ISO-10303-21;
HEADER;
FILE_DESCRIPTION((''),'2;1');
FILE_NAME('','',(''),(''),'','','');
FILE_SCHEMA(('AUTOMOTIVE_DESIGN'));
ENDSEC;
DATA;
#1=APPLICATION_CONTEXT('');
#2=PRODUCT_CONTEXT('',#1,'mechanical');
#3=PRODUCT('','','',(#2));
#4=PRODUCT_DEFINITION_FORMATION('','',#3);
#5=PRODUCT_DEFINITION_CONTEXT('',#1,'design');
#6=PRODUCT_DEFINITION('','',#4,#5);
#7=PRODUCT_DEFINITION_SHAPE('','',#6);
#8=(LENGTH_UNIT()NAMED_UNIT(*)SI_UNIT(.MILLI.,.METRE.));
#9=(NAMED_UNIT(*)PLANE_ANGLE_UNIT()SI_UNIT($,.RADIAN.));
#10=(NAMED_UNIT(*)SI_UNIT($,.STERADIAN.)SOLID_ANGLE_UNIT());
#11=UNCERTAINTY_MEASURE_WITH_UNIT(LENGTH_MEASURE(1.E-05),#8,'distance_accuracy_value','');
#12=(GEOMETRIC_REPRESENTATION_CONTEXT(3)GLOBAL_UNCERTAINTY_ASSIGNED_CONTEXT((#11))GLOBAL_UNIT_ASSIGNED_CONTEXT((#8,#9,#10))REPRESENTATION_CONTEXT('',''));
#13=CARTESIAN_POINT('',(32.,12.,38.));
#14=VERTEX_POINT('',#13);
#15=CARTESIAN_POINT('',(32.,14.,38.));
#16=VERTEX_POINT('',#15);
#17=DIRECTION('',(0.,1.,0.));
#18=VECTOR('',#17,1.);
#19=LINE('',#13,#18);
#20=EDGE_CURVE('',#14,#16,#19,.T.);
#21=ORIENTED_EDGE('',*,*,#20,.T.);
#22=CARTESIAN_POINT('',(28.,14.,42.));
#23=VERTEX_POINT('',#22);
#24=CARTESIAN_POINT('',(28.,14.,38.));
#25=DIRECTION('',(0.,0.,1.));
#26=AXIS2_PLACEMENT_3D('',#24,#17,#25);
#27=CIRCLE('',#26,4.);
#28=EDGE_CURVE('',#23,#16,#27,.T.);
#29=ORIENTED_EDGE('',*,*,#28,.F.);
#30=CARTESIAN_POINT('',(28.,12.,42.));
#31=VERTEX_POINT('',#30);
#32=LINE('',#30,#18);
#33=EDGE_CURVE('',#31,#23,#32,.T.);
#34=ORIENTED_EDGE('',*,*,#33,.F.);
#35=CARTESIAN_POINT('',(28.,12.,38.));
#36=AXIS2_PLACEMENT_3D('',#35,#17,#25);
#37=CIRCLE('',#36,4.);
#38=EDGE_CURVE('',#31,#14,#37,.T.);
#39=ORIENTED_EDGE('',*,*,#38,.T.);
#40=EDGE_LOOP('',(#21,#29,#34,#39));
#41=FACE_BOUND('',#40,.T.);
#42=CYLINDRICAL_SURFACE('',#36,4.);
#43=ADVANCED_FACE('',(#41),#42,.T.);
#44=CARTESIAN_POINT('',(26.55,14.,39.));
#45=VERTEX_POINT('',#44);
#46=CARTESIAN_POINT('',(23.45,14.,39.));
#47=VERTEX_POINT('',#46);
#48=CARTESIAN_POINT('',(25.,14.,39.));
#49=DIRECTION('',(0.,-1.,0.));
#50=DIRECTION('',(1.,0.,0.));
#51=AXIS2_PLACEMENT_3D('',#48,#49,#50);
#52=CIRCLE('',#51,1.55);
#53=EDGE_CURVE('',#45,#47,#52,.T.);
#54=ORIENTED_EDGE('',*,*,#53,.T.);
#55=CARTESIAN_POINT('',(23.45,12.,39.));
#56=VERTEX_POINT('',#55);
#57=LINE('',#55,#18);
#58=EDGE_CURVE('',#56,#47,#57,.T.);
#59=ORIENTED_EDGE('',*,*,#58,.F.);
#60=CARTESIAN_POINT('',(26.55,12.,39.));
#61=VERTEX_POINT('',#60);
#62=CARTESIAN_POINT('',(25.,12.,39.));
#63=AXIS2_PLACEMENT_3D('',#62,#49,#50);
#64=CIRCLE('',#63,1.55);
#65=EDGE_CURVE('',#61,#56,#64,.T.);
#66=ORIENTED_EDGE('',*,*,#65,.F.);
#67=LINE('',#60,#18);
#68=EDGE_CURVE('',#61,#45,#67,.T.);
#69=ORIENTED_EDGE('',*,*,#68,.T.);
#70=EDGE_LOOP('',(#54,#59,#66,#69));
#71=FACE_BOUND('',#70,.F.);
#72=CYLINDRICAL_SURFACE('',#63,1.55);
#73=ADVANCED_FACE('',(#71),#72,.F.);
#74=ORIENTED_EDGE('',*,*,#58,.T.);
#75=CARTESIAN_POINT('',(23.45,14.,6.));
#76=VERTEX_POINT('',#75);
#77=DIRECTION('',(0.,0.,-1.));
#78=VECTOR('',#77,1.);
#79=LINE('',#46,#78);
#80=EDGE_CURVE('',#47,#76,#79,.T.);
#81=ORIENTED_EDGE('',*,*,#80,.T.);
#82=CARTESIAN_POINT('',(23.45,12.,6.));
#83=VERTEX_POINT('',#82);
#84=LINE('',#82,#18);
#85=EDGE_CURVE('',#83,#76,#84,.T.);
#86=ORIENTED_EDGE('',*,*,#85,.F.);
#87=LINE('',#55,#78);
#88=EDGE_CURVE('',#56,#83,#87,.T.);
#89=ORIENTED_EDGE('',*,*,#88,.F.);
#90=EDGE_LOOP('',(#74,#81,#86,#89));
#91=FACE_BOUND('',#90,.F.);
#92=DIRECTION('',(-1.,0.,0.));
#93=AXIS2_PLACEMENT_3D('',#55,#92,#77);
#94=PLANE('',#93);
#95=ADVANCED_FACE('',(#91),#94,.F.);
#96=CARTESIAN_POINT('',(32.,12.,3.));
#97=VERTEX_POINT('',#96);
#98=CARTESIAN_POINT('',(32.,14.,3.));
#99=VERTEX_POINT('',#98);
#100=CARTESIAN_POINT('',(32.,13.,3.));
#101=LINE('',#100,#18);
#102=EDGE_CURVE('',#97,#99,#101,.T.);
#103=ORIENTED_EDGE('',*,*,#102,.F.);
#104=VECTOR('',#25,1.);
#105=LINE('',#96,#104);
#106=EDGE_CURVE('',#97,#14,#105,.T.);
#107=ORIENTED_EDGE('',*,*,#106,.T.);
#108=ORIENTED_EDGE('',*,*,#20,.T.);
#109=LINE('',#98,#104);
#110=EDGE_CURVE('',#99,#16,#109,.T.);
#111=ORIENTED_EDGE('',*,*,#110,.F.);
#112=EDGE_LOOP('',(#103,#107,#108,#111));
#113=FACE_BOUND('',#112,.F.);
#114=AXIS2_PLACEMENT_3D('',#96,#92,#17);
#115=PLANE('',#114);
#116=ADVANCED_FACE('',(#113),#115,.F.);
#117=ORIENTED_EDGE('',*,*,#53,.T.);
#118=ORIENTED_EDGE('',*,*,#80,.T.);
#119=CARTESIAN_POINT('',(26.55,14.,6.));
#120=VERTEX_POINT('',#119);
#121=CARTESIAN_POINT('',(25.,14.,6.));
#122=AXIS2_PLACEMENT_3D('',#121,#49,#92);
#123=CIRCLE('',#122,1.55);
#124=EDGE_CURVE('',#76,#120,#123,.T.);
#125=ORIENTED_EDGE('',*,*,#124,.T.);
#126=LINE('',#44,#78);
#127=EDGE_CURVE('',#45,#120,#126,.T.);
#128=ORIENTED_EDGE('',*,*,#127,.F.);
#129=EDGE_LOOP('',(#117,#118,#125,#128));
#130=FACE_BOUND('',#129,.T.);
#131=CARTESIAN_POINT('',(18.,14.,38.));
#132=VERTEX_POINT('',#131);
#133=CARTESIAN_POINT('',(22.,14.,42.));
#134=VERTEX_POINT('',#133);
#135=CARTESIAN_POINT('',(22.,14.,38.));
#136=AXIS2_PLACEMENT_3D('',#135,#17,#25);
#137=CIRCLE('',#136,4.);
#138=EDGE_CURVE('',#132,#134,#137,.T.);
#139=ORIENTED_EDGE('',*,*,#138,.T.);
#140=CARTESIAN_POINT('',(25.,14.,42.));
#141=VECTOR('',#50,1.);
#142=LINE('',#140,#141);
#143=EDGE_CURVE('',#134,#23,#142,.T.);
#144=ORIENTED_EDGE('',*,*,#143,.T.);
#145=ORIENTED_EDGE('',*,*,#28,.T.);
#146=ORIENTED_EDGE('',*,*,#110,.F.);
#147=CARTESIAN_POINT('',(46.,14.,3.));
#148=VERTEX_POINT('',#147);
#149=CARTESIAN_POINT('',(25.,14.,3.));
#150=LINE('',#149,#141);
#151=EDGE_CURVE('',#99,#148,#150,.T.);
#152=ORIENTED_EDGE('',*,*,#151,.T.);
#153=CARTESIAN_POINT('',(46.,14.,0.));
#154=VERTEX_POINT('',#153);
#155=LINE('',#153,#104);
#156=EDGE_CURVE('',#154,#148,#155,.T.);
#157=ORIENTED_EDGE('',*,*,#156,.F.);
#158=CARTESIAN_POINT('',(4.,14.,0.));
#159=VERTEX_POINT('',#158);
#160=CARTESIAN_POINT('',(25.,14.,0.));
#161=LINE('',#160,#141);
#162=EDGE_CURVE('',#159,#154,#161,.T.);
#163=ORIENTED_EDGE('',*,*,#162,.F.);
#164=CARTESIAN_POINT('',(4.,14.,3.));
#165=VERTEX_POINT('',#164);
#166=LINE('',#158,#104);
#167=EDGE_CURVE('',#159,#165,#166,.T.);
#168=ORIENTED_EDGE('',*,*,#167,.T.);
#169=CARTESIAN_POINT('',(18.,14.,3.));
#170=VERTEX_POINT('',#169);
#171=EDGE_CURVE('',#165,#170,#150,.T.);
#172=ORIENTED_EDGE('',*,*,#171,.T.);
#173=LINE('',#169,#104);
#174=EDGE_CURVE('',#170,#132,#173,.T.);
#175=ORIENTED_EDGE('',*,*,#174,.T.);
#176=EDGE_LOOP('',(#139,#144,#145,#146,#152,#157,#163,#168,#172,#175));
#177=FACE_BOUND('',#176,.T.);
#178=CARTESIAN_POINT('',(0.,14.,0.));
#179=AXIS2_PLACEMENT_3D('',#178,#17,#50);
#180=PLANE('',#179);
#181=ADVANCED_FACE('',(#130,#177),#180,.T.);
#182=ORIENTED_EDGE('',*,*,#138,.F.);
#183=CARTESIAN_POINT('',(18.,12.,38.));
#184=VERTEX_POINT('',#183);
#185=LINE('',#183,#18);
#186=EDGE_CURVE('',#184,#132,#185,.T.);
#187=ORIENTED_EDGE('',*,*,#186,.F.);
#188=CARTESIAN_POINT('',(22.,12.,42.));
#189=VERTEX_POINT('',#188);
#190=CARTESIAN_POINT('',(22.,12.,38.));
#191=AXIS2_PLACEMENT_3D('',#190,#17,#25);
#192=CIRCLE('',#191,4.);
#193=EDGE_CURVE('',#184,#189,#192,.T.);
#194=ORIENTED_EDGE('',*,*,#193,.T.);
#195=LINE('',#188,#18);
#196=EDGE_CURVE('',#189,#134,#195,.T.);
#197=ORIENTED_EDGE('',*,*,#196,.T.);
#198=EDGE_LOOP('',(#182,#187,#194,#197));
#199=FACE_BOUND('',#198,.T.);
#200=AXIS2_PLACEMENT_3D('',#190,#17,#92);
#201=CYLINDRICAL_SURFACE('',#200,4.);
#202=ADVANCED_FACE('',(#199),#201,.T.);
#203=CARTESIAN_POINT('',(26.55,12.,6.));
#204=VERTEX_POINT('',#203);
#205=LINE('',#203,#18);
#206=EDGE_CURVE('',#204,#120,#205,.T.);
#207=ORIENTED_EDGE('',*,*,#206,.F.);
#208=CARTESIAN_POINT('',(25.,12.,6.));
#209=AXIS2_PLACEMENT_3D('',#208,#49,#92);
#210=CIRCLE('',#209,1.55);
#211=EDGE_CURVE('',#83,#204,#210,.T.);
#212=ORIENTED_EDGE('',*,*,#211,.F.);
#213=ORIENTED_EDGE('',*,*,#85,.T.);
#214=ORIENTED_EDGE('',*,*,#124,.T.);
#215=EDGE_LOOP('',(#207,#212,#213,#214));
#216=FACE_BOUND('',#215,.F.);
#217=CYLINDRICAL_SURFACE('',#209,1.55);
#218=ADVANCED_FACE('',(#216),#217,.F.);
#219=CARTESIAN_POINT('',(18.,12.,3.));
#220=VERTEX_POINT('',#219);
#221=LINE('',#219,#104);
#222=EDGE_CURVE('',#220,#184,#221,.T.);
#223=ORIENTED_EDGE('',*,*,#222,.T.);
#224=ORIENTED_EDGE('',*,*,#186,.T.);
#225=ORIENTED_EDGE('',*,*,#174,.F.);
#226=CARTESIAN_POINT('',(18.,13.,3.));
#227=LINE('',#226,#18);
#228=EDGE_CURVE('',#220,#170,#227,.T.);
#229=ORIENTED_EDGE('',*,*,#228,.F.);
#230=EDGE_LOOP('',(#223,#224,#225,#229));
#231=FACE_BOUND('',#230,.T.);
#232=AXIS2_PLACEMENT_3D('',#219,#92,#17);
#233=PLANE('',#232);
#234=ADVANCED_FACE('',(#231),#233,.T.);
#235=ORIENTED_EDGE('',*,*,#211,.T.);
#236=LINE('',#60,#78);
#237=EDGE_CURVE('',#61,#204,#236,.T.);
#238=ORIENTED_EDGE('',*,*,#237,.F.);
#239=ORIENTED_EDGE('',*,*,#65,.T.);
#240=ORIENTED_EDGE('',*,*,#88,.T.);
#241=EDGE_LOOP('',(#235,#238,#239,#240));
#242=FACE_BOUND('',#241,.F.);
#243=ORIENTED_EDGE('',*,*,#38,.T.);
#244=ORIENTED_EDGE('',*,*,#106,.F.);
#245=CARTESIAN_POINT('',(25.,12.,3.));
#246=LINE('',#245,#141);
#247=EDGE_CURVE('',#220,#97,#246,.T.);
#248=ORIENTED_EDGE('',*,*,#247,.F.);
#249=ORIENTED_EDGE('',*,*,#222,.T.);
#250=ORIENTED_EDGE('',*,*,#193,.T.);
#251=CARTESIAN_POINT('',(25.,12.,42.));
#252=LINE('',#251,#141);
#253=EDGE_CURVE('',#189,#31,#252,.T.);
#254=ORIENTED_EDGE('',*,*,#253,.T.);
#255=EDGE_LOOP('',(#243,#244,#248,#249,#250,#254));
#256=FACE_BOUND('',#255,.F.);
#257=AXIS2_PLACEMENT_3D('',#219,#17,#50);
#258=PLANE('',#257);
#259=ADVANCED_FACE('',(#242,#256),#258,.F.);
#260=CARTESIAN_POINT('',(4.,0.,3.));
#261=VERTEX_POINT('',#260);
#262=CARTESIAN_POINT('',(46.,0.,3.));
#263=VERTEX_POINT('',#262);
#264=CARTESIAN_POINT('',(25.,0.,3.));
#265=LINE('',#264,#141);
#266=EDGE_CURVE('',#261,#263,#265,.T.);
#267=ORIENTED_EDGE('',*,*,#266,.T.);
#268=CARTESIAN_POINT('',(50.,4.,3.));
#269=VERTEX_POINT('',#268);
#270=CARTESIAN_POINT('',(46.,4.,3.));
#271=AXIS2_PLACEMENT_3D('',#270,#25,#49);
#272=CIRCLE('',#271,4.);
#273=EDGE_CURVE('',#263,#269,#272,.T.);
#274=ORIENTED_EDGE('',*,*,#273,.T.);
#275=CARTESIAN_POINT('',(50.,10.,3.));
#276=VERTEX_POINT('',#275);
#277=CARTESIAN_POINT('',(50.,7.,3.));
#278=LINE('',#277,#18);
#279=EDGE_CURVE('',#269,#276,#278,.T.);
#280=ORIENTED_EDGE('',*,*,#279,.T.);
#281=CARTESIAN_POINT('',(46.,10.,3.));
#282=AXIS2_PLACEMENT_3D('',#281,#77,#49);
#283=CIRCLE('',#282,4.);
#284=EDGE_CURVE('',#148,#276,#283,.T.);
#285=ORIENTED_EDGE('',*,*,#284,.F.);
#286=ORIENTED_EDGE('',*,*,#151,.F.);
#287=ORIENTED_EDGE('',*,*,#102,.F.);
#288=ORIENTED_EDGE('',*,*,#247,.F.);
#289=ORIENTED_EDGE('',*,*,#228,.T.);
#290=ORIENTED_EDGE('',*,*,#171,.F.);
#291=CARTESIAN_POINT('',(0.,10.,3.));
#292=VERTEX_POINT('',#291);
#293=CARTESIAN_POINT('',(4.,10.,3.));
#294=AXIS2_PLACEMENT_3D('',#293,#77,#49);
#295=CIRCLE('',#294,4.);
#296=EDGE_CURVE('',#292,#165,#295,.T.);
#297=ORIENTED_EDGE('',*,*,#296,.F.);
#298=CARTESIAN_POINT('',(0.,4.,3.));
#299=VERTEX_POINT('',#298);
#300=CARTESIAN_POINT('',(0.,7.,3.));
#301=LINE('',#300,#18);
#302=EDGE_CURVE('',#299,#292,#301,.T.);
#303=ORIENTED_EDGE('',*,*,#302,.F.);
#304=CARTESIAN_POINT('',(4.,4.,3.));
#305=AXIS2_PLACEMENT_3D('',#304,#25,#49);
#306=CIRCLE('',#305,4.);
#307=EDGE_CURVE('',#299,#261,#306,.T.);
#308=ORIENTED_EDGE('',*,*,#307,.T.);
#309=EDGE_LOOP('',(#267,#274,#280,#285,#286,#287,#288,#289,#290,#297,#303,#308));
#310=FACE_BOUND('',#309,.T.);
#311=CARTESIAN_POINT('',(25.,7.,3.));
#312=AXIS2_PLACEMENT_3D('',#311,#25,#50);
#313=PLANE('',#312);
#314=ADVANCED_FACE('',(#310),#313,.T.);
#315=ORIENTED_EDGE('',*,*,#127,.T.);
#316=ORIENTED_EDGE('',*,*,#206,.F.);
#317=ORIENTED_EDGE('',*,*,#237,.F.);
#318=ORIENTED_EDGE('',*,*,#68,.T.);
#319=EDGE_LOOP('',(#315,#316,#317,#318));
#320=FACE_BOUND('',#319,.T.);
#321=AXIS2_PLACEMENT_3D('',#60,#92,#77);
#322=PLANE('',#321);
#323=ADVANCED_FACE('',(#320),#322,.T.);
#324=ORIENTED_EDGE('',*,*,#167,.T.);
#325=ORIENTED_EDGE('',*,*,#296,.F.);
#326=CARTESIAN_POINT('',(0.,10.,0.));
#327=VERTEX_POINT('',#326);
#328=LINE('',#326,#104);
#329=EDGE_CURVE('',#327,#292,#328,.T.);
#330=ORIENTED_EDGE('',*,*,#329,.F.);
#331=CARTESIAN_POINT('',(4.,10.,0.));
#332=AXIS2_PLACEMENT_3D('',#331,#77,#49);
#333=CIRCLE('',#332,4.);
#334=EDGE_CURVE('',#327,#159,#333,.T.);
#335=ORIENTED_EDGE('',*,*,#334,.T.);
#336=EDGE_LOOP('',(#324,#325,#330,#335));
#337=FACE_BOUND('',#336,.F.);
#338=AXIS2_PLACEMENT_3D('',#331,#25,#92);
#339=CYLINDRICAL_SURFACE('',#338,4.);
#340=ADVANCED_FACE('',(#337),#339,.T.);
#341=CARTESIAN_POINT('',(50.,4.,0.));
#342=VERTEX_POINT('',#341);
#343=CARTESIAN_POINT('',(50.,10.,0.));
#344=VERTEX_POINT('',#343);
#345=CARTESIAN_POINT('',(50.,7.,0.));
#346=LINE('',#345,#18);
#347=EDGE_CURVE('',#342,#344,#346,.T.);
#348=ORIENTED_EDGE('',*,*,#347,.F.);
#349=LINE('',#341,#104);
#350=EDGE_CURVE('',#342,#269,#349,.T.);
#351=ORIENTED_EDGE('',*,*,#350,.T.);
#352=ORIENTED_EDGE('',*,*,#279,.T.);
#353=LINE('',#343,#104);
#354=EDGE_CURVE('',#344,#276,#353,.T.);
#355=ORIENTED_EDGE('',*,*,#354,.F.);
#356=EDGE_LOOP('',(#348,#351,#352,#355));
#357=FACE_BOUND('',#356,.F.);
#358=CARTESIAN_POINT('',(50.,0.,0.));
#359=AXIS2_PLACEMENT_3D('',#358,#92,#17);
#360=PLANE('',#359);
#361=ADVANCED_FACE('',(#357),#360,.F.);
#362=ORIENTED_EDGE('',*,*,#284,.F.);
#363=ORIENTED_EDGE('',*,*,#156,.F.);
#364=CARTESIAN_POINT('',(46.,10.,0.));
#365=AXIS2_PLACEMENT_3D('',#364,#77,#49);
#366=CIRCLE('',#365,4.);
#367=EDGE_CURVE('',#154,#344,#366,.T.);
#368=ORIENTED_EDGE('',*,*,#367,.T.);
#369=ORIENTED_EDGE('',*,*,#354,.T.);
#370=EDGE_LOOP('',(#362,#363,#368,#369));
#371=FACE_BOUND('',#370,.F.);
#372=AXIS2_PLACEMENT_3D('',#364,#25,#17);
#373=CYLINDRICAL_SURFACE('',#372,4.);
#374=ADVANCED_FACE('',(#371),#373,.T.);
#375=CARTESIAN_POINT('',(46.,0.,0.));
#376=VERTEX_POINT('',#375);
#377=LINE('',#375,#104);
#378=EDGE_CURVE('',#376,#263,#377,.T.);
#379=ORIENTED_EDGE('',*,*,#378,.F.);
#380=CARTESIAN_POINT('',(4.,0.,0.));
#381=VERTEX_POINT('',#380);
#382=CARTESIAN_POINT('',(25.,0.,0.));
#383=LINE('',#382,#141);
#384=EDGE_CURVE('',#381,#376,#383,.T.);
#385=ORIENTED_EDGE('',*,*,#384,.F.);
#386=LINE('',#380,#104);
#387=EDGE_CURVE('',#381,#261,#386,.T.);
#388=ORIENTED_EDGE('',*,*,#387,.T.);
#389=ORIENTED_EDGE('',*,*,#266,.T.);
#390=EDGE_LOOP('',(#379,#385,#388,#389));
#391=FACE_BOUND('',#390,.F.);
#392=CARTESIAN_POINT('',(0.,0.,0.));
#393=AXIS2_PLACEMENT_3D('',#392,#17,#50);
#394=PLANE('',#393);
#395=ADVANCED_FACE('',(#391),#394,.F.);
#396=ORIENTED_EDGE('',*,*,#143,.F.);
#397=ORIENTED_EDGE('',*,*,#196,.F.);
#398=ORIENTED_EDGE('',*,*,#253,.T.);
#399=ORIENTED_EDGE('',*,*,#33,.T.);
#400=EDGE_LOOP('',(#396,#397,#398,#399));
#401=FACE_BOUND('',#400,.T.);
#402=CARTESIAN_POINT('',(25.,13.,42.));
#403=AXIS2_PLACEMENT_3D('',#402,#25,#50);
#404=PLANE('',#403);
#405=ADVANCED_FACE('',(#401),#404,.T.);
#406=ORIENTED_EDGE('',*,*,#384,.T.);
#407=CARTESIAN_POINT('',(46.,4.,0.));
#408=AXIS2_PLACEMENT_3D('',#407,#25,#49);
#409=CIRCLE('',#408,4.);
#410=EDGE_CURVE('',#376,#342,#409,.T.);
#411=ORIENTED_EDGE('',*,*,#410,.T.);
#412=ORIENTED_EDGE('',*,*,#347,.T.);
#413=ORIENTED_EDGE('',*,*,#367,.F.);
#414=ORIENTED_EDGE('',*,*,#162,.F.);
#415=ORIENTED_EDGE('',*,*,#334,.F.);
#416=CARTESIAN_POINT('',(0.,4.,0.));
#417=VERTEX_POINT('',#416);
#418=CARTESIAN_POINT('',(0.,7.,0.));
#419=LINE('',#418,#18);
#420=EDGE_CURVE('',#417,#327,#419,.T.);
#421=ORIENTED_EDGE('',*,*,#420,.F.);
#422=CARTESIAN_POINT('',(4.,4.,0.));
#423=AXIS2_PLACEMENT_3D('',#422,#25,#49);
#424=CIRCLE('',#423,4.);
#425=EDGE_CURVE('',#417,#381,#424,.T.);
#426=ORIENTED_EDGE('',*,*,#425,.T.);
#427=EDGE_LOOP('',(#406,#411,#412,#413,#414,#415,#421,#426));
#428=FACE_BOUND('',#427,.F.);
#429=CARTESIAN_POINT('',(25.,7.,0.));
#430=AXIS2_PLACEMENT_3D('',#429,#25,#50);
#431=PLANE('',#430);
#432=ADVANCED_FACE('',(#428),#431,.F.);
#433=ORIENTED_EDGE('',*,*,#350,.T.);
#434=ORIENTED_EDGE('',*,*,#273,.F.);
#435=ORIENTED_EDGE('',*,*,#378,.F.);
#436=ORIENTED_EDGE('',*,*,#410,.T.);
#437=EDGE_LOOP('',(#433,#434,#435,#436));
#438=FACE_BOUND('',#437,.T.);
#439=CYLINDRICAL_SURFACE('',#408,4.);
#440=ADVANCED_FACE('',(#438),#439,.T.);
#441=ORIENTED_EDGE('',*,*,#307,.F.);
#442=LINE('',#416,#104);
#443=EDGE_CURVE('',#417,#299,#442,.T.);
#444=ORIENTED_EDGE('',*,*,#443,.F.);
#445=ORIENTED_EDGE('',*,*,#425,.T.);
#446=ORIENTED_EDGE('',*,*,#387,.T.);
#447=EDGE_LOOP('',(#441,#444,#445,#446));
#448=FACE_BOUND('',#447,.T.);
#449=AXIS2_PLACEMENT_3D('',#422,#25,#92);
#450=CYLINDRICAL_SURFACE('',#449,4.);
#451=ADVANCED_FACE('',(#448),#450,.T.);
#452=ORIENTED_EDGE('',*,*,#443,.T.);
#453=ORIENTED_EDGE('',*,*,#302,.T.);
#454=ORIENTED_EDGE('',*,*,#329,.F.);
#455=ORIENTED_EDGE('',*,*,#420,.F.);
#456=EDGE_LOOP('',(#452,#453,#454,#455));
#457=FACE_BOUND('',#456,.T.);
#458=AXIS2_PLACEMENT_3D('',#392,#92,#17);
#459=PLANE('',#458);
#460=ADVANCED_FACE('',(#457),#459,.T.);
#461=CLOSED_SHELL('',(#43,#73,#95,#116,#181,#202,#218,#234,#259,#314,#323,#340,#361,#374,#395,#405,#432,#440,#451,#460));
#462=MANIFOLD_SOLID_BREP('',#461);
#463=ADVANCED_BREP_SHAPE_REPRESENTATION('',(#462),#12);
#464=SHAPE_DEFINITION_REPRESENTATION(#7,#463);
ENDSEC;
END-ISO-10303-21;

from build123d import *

# Parameters (mm, degrees)
SKETCH_W     = 50
SKETCH_H     = 14
PAD_DEPTH    = 3
SKETCH001_W  = 14
SKETCH001_H  = 2
PAD001_DEPTH = 39
POCKET_DEPTH = 2
FILLET_R     = 4


with BuildPart() as part:
    # Sketch → Pad (new body)
    with BuildSketch(Plane.XY):
        with Locations((25, 7)):
            Rectangle(SKETCH_W, SKETCH_H)
    extrude(amount=PAD_DEPTH)

    # Sketch001 (on Face6 of Pad) → Pad001 (join)
    with BuildSketch(Plane.XY.offset(3)):
        with Locations((25, 13)):
            Rectangle(SKETCH001_W, SKETCH001_H)
    extrude(amount=PAD001_DEPTH)

    # Sketch002 (on Face8 of Pad001) → Pocket (cut)
    with BuildSketch(Plane.XZ.offset(-12)):
        with BuildLine():
            ThreePointArc((26.55, 39), (25, 40.55), (23.45, 39))
            Line((23.45, 39), (23.45, 6))
            ThreePointArc((23.45, 6), (25, 4.45), (26.55, 6))
            Line((26.55, 39), (26.55, 6))
        make_face()
    extrude(amount=-POCKET_DEPTH, mode=Mode.SUBTRACT)

    # Fillet
    fillet_edges = [part.edges().sort_by_distance(p)[0] for p in [
        (0, 0, 1.5),
        (50, 0, 1.5),
        (18, 13, 42),
        (32, 13, 42),
        (0, 14, 1.5),
        (50, 14, 1.5),
    ]]
    fillet(fillet_edges, radius=FILLET_R)


solid = part.part
